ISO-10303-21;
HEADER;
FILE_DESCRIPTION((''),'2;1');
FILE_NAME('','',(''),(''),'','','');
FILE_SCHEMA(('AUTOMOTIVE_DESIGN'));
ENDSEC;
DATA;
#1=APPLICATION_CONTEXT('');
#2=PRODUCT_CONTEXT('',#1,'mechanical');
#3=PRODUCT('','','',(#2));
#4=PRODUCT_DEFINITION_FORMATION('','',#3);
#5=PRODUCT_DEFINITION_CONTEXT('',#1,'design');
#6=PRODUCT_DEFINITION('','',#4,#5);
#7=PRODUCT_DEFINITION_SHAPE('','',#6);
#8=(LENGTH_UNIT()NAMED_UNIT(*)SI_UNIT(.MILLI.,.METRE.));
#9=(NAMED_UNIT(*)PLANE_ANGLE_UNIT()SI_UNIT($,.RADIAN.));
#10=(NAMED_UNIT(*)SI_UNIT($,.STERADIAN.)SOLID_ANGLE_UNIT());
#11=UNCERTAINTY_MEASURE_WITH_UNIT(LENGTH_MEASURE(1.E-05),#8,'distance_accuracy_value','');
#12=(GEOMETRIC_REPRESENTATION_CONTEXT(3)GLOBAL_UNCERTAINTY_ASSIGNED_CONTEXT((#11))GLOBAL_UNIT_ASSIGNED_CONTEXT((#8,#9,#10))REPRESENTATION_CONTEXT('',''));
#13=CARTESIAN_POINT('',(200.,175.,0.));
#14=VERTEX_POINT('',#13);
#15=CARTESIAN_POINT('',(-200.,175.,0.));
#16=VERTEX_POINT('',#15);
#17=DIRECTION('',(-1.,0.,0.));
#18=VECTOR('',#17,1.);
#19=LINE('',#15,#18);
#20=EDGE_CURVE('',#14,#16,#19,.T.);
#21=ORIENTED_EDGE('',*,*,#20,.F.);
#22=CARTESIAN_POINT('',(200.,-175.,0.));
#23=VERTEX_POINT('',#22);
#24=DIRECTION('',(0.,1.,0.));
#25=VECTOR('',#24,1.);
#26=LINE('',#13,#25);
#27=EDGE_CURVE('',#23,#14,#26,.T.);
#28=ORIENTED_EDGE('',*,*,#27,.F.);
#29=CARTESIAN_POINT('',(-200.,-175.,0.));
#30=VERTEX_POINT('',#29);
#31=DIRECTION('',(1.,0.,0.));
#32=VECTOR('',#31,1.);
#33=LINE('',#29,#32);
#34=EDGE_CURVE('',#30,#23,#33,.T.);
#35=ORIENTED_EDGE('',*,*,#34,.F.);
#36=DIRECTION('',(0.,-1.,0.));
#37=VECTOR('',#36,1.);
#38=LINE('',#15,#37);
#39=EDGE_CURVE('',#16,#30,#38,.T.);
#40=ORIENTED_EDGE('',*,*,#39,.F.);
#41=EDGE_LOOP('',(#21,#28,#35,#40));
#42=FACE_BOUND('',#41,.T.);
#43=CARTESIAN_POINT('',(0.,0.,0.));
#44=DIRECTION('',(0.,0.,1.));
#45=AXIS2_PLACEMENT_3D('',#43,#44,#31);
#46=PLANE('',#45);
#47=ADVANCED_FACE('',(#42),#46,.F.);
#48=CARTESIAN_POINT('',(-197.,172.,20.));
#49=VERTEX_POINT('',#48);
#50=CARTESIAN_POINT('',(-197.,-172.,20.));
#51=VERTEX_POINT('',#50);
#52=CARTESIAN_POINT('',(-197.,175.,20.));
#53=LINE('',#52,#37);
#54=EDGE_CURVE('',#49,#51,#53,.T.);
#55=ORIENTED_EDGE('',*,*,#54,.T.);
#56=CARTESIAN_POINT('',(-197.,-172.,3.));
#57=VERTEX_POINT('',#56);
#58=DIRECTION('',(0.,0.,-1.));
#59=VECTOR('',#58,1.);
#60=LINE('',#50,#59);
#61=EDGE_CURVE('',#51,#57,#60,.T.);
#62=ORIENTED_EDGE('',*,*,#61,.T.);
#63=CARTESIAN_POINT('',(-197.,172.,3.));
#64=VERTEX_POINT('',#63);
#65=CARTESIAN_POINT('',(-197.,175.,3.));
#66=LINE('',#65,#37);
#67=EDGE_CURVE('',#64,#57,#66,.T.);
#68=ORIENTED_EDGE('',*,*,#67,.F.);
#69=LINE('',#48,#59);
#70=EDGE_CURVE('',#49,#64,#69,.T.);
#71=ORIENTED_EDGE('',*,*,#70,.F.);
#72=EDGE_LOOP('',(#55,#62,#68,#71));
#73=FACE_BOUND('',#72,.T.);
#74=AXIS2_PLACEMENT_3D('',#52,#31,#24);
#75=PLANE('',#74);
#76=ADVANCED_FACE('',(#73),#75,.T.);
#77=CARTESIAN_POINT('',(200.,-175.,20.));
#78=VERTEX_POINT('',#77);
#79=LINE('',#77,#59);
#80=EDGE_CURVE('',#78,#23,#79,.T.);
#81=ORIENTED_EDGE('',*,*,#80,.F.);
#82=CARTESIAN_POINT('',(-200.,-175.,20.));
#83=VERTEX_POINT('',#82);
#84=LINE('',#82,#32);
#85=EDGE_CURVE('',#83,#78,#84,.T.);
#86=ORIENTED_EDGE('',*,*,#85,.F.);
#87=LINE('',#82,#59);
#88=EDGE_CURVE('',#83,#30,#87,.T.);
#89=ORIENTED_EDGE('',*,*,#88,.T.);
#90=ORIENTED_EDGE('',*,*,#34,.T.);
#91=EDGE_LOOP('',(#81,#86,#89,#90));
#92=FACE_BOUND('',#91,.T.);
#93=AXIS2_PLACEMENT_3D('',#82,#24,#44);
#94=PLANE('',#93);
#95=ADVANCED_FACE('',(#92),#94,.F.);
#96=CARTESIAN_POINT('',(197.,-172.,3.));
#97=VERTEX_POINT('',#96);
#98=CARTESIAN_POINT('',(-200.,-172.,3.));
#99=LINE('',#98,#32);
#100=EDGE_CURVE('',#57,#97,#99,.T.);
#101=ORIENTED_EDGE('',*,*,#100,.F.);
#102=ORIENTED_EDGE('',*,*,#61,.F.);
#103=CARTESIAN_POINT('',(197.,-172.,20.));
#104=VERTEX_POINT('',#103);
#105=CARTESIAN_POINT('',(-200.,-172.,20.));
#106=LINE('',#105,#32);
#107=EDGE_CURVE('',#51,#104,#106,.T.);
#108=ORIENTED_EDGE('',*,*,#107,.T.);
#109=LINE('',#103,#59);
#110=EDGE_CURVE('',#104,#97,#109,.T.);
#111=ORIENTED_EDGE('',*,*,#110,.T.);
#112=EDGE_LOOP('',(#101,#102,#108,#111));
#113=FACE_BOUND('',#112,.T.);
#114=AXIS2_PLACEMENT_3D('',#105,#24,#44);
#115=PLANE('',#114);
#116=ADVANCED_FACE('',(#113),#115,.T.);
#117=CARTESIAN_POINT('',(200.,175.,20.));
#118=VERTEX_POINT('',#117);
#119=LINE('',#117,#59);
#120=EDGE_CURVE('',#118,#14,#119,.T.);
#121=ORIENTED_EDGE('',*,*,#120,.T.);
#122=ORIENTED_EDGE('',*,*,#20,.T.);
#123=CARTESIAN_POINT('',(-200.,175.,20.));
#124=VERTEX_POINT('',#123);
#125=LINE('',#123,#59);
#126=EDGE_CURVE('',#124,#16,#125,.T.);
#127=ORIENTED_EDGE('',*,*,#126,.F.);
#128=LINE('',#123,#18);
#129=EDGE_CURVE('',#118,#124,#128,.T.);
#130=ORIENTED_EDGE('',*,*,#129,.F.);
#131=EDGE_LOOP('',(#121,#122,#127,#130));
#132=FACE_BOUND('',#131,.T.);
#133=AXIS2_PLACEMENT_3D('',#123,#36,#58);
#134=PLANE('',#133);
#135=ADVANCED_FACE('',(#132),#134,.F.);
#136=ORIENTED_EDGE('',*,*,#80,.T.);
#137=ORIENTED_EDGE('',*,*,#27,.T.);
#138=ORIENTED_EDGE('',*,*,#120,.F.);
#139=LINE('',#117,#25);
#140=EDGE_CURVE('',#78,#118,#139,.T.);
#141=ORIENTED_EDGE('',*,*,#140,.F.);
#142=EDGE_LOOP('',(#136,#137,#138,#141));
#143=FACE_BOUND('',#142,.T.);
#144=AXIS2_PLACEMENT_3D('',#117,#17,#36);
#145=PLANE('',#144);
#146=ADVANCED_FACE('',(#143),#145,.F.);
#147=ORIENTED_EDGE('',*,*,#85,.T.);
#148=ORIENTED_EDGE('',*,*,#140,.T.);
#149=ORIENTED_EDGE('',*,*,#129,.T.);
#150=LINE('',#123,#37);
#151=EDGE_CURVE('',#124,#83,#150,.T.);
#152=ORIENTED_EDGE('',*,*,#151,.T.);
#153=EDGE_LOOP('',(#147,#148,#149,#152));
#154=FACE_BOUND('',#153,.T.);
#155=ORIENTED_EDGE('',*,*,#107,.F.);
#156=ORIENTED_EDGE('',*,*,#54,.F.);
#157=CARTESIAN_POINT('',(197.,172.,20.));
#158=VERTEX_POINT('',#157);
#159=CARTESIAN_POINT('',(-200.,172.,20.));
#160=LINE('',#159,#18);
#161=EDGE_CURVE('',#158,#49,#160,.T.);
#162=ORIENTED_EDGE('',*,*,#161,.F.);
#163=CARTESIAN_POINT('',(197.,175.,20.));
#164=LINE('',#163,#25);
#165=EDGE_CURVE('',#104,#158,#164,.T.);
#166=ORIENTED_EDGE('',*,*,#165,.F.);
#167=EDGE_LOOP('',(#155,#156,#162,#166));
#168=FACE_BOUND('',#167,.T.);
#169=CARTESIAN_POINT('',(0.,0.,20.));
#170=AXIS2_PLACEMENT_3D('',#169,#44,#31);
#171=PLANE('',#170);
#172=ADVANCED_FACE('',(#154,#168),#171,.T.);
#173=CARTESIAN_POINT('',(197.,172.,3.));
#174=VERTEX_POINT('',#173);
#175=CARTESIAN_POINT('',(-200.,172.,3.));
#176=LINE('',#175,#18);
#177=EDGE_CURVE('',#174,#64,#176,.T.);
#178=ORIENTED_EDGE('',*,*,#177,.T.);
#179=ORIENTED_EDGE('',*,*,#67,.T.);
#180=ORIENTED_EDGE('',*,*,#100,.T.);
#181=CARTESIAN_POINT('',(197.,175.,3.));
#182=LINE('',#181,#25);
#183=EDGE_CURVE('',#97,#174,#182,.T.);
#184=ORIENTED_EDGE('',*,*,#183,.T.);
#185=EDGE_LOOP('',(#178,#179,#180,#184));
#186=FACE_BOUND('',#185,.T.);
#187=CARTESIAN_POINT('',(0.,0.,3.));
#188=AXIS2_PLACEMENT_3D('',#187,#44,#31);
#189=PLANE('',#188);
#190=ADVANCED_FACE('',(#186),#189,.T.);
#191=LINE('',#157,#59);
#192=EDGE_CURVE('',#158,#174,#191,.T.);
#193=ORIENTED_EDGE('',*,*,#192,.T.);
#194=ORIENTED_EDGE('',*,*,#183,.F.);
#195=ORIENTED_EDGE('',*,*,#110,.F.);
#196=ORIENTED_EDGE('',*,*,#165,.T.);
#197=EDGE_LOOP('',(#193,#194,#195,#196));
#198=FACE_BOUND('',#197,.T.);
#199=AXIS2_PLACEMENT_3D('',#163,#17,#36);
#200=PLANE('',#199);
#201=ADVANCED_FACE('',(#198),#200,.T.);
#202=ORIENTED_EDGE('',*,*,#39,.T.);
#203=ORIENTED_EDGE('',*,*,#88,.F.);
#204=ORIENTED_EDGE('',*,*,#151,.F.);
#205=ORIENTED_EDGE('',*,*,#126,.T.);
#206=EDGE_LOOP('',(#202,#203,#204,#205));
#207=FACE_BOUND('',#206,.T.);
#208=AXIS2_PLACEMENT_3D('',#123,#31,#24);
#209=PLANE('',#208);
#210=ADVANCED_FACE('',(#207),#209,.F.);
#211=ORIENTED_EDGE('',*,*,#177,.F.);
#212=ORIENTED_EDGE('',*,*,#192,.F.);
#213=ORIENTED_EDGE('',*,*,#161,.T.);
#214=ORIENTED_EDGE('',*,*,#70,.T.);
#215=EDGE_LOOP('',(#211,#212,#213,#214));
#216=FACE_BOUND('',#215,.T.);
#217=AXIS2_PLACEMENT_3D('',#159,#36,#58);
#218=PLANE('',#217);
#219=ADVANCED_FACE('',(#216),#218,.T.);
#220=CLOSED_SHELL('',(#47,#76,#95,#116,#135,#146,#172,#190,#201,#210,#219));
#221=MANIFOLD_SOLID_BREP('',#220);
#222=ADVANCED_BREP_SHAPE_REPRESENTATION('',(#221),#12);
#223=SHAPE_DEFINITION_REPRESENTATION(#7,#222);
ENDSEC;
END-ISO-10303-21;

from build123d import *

# Parameters (mm, degrees)
SKETCH_1_W      = 400
SKETCH_1_H      = 350
EXTRUDE_1_DEPTH = 20
SHELL_1_T       = -3


with BuildPart() as part:
    # 草图1 → 凸台-拉伸1 (new body)
    with BuildSketch(Plane.XY):
        Rectangle(SKETCH_1_W, SKETCH_1_H)
    extrude(amount=EXTRUDE_1_DEPTH)

    # 抽壳1
    shell_1_openings = [part.faces().sort_by_distance(p)[0] for p in [
        (0, 0, 20),
    ]]
    offset(amount=SHELL_1_T, openings=shell_1_openings, kind=Kind.INTERSECTION)


solid = part.part
